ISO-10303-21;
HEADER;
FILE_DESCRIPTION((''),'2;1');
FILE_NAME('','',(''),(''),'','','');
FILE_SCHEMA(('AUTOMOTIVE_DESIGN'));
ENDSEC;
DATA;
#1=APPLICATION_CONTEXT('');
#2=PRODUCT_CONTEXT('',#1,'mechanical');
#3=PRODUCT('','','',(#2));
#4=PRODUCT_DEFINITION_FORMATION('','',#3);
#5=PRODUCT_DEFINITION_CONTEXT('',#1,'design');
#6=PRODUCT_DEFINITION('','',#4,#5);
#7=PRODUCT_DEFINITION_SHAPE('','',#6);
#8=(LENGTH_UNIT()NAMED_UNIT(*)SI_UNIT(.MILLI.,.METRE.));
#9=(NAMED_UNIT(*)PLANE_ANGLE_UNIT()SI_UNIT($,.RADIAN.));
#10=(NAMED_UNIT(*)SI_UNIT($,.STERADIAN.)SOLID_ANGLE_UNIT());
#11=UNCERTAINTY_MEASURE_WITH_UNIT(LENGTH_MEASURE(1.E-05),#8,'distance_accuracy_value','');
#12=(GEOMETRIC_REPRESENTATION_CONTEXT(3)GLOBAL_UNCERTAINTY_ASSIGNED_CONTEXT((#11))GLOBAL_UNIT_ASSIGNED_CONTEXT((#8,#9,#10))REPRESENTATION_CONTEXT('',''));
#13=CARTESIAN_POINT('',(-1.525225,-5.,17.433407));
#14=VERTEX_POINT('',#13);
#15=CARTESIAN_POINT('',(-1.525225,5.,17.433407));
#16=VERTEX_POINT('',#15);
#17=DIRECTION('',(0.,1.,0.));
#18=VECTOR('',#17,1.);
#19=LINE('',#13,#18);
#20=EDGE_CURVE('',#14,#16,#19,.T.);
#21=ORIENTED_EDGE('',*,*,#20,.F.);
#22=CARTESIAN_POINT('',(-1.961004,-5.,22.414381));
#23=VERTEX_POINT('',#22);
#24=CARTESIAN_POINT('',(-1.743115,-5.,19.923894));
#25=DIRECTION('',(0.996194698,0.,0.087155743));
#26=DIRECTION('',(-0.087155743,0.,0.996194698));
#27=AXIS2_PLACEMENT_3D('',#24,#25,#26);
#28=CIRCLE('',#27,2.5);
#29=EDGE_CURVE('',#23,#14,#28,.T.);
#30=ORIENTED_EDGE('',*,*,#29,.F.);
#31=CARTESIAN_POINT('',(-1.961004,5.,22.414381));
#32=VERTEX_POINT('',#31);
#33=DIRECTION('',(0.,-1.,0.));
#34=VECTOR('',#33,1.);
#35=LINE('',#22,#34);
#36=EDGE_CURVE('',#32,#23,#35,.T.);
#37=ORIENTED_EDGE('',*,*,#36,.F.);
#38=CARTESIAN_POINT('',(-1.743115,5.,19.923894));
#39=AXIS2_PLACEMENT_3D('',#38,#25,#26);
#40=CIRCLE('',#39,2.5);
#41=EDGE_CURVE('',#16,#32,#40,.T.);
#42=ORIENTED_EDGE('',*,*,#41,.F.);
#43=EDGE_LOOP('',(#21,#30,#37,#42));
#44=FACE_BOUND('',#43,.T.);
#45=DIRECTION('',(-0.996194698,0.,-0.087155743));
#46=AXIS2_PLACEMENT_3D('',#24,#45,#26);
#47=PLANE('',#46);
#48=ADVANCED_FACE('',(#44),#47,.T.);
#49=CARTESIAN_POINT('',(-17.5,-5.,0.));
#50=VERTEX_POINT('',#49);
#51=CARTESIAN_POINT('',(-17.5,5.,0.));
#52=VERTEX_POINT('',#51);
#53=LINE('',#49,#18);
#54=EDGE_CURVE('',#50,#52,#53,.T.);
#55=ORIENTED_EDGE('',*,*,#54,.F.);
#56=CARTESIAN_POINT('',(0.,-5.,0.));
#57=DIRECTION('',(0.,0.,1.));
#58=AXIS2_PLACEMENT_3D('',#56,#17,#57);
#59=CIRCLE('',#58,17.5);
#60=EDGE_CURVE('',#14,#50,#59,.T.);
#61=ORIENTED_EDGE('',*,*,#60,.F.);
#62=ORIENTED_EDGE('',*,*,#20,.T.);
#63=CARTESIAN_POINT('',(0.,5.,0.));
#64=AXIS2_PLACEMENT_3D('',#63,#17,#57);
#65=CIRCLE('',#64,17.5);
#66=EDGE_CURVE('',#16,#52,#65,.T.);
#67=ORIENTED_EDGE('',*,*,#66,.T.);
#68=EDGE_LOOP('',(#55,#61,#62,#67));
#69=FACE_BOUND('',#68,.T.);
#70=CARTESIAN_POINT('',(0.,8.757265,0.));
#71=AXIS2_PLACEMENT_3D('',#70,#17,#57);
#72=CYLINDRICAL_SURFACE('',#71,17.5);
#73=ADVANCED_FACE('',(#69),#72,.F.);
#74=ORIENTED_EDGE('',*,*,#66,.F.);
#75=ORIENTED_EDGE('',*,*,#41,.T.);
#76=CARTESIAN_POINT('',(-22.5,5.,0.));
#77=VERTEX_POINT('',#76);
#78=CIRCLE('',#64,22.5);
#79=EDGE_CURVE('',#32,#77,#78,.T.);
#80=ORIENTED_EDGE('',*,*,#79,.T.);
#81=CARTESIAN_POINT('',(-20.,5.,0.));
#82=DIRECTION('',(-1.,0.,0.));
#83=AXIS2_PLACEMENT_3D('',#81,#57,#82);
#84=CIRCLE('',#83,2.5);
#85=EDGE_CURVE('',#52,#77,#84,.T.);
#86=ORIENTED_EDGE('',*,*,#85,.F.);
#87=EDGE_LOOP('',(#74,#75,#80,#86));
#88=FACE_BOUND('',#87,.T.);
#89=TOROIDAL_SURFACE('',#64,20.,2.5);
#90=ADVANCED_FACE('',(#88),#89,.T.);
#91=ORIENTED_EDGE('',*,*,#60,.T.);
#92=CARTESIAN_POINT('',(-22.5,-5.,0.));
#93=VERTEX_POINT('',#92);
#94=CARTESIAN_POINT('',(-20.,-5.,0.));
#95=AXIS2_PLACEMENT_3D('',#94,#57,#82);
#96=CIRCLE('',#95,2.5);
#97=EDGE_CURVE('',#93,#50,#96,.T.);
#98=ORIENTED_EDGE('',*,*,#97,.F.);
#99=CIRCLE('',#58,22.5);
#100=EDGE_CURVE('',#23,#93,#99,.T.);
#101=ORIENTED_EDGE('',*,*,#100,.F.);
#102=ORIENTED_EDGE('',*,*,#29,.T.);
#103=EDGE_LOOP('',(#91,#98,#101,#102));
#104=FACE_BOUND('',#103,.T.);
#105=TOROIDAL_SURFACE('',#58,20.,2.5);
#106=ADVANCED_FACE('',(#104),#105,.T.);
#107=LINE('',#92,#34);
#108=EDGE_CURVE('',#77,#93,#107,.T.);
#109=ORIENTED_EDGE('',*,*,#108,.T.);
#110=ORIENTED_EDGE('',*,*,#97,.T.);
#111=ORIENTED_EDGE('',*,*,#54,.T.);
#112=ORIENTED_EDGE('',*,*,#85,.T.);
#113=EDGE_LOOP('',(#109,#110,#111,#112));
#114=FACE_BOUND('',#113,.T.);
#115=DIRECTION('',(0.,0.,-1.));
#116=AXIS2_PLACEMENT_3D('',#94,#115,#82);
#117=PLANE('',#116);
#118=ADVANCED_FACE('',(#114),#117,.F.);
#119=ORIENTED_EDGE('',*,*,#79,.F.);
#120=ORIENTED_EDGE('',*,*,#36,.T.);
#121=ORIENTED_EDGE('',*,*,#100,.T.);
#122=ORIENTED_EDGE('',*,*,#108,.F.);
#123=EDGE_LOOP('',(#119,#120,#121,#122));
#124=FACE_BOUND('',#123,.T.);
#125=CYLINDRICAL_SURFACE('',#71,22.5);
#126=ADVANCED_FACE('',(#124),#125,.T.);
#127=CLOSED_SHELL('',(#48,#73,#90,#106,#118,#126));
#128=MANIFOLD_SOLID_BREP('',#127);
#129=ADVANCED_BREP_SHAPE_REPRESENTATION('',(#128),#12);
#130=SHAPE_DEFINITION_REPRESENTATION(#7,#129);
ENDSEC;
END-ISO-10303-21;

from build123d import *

# Parameters (mm, degrees)
REVOLVE1_ANGLE = 275


with BuildPart() as part:
    # Sketch1 → Revolve1 (revolve)
    with BuildSketch(Plane.XY):
        with BuildLine():
            Line((-22.5, -5), (-22.5, 5))
            ThreePointArc((-22.5, 5), (-20, 7.5), (-17.5, 5))
            Line((-17.5, 5), (-17.5, -5))
            ThreePointArc((-17.5, -5), (-20, -7.5), (-22.5, -5))
        make_face()
    revolve(axis=Axis((0, 8.757264849, 0), (0, -1, 0)), revolution_arc=REVOLVE1_ANGLE)


solid = part.part
